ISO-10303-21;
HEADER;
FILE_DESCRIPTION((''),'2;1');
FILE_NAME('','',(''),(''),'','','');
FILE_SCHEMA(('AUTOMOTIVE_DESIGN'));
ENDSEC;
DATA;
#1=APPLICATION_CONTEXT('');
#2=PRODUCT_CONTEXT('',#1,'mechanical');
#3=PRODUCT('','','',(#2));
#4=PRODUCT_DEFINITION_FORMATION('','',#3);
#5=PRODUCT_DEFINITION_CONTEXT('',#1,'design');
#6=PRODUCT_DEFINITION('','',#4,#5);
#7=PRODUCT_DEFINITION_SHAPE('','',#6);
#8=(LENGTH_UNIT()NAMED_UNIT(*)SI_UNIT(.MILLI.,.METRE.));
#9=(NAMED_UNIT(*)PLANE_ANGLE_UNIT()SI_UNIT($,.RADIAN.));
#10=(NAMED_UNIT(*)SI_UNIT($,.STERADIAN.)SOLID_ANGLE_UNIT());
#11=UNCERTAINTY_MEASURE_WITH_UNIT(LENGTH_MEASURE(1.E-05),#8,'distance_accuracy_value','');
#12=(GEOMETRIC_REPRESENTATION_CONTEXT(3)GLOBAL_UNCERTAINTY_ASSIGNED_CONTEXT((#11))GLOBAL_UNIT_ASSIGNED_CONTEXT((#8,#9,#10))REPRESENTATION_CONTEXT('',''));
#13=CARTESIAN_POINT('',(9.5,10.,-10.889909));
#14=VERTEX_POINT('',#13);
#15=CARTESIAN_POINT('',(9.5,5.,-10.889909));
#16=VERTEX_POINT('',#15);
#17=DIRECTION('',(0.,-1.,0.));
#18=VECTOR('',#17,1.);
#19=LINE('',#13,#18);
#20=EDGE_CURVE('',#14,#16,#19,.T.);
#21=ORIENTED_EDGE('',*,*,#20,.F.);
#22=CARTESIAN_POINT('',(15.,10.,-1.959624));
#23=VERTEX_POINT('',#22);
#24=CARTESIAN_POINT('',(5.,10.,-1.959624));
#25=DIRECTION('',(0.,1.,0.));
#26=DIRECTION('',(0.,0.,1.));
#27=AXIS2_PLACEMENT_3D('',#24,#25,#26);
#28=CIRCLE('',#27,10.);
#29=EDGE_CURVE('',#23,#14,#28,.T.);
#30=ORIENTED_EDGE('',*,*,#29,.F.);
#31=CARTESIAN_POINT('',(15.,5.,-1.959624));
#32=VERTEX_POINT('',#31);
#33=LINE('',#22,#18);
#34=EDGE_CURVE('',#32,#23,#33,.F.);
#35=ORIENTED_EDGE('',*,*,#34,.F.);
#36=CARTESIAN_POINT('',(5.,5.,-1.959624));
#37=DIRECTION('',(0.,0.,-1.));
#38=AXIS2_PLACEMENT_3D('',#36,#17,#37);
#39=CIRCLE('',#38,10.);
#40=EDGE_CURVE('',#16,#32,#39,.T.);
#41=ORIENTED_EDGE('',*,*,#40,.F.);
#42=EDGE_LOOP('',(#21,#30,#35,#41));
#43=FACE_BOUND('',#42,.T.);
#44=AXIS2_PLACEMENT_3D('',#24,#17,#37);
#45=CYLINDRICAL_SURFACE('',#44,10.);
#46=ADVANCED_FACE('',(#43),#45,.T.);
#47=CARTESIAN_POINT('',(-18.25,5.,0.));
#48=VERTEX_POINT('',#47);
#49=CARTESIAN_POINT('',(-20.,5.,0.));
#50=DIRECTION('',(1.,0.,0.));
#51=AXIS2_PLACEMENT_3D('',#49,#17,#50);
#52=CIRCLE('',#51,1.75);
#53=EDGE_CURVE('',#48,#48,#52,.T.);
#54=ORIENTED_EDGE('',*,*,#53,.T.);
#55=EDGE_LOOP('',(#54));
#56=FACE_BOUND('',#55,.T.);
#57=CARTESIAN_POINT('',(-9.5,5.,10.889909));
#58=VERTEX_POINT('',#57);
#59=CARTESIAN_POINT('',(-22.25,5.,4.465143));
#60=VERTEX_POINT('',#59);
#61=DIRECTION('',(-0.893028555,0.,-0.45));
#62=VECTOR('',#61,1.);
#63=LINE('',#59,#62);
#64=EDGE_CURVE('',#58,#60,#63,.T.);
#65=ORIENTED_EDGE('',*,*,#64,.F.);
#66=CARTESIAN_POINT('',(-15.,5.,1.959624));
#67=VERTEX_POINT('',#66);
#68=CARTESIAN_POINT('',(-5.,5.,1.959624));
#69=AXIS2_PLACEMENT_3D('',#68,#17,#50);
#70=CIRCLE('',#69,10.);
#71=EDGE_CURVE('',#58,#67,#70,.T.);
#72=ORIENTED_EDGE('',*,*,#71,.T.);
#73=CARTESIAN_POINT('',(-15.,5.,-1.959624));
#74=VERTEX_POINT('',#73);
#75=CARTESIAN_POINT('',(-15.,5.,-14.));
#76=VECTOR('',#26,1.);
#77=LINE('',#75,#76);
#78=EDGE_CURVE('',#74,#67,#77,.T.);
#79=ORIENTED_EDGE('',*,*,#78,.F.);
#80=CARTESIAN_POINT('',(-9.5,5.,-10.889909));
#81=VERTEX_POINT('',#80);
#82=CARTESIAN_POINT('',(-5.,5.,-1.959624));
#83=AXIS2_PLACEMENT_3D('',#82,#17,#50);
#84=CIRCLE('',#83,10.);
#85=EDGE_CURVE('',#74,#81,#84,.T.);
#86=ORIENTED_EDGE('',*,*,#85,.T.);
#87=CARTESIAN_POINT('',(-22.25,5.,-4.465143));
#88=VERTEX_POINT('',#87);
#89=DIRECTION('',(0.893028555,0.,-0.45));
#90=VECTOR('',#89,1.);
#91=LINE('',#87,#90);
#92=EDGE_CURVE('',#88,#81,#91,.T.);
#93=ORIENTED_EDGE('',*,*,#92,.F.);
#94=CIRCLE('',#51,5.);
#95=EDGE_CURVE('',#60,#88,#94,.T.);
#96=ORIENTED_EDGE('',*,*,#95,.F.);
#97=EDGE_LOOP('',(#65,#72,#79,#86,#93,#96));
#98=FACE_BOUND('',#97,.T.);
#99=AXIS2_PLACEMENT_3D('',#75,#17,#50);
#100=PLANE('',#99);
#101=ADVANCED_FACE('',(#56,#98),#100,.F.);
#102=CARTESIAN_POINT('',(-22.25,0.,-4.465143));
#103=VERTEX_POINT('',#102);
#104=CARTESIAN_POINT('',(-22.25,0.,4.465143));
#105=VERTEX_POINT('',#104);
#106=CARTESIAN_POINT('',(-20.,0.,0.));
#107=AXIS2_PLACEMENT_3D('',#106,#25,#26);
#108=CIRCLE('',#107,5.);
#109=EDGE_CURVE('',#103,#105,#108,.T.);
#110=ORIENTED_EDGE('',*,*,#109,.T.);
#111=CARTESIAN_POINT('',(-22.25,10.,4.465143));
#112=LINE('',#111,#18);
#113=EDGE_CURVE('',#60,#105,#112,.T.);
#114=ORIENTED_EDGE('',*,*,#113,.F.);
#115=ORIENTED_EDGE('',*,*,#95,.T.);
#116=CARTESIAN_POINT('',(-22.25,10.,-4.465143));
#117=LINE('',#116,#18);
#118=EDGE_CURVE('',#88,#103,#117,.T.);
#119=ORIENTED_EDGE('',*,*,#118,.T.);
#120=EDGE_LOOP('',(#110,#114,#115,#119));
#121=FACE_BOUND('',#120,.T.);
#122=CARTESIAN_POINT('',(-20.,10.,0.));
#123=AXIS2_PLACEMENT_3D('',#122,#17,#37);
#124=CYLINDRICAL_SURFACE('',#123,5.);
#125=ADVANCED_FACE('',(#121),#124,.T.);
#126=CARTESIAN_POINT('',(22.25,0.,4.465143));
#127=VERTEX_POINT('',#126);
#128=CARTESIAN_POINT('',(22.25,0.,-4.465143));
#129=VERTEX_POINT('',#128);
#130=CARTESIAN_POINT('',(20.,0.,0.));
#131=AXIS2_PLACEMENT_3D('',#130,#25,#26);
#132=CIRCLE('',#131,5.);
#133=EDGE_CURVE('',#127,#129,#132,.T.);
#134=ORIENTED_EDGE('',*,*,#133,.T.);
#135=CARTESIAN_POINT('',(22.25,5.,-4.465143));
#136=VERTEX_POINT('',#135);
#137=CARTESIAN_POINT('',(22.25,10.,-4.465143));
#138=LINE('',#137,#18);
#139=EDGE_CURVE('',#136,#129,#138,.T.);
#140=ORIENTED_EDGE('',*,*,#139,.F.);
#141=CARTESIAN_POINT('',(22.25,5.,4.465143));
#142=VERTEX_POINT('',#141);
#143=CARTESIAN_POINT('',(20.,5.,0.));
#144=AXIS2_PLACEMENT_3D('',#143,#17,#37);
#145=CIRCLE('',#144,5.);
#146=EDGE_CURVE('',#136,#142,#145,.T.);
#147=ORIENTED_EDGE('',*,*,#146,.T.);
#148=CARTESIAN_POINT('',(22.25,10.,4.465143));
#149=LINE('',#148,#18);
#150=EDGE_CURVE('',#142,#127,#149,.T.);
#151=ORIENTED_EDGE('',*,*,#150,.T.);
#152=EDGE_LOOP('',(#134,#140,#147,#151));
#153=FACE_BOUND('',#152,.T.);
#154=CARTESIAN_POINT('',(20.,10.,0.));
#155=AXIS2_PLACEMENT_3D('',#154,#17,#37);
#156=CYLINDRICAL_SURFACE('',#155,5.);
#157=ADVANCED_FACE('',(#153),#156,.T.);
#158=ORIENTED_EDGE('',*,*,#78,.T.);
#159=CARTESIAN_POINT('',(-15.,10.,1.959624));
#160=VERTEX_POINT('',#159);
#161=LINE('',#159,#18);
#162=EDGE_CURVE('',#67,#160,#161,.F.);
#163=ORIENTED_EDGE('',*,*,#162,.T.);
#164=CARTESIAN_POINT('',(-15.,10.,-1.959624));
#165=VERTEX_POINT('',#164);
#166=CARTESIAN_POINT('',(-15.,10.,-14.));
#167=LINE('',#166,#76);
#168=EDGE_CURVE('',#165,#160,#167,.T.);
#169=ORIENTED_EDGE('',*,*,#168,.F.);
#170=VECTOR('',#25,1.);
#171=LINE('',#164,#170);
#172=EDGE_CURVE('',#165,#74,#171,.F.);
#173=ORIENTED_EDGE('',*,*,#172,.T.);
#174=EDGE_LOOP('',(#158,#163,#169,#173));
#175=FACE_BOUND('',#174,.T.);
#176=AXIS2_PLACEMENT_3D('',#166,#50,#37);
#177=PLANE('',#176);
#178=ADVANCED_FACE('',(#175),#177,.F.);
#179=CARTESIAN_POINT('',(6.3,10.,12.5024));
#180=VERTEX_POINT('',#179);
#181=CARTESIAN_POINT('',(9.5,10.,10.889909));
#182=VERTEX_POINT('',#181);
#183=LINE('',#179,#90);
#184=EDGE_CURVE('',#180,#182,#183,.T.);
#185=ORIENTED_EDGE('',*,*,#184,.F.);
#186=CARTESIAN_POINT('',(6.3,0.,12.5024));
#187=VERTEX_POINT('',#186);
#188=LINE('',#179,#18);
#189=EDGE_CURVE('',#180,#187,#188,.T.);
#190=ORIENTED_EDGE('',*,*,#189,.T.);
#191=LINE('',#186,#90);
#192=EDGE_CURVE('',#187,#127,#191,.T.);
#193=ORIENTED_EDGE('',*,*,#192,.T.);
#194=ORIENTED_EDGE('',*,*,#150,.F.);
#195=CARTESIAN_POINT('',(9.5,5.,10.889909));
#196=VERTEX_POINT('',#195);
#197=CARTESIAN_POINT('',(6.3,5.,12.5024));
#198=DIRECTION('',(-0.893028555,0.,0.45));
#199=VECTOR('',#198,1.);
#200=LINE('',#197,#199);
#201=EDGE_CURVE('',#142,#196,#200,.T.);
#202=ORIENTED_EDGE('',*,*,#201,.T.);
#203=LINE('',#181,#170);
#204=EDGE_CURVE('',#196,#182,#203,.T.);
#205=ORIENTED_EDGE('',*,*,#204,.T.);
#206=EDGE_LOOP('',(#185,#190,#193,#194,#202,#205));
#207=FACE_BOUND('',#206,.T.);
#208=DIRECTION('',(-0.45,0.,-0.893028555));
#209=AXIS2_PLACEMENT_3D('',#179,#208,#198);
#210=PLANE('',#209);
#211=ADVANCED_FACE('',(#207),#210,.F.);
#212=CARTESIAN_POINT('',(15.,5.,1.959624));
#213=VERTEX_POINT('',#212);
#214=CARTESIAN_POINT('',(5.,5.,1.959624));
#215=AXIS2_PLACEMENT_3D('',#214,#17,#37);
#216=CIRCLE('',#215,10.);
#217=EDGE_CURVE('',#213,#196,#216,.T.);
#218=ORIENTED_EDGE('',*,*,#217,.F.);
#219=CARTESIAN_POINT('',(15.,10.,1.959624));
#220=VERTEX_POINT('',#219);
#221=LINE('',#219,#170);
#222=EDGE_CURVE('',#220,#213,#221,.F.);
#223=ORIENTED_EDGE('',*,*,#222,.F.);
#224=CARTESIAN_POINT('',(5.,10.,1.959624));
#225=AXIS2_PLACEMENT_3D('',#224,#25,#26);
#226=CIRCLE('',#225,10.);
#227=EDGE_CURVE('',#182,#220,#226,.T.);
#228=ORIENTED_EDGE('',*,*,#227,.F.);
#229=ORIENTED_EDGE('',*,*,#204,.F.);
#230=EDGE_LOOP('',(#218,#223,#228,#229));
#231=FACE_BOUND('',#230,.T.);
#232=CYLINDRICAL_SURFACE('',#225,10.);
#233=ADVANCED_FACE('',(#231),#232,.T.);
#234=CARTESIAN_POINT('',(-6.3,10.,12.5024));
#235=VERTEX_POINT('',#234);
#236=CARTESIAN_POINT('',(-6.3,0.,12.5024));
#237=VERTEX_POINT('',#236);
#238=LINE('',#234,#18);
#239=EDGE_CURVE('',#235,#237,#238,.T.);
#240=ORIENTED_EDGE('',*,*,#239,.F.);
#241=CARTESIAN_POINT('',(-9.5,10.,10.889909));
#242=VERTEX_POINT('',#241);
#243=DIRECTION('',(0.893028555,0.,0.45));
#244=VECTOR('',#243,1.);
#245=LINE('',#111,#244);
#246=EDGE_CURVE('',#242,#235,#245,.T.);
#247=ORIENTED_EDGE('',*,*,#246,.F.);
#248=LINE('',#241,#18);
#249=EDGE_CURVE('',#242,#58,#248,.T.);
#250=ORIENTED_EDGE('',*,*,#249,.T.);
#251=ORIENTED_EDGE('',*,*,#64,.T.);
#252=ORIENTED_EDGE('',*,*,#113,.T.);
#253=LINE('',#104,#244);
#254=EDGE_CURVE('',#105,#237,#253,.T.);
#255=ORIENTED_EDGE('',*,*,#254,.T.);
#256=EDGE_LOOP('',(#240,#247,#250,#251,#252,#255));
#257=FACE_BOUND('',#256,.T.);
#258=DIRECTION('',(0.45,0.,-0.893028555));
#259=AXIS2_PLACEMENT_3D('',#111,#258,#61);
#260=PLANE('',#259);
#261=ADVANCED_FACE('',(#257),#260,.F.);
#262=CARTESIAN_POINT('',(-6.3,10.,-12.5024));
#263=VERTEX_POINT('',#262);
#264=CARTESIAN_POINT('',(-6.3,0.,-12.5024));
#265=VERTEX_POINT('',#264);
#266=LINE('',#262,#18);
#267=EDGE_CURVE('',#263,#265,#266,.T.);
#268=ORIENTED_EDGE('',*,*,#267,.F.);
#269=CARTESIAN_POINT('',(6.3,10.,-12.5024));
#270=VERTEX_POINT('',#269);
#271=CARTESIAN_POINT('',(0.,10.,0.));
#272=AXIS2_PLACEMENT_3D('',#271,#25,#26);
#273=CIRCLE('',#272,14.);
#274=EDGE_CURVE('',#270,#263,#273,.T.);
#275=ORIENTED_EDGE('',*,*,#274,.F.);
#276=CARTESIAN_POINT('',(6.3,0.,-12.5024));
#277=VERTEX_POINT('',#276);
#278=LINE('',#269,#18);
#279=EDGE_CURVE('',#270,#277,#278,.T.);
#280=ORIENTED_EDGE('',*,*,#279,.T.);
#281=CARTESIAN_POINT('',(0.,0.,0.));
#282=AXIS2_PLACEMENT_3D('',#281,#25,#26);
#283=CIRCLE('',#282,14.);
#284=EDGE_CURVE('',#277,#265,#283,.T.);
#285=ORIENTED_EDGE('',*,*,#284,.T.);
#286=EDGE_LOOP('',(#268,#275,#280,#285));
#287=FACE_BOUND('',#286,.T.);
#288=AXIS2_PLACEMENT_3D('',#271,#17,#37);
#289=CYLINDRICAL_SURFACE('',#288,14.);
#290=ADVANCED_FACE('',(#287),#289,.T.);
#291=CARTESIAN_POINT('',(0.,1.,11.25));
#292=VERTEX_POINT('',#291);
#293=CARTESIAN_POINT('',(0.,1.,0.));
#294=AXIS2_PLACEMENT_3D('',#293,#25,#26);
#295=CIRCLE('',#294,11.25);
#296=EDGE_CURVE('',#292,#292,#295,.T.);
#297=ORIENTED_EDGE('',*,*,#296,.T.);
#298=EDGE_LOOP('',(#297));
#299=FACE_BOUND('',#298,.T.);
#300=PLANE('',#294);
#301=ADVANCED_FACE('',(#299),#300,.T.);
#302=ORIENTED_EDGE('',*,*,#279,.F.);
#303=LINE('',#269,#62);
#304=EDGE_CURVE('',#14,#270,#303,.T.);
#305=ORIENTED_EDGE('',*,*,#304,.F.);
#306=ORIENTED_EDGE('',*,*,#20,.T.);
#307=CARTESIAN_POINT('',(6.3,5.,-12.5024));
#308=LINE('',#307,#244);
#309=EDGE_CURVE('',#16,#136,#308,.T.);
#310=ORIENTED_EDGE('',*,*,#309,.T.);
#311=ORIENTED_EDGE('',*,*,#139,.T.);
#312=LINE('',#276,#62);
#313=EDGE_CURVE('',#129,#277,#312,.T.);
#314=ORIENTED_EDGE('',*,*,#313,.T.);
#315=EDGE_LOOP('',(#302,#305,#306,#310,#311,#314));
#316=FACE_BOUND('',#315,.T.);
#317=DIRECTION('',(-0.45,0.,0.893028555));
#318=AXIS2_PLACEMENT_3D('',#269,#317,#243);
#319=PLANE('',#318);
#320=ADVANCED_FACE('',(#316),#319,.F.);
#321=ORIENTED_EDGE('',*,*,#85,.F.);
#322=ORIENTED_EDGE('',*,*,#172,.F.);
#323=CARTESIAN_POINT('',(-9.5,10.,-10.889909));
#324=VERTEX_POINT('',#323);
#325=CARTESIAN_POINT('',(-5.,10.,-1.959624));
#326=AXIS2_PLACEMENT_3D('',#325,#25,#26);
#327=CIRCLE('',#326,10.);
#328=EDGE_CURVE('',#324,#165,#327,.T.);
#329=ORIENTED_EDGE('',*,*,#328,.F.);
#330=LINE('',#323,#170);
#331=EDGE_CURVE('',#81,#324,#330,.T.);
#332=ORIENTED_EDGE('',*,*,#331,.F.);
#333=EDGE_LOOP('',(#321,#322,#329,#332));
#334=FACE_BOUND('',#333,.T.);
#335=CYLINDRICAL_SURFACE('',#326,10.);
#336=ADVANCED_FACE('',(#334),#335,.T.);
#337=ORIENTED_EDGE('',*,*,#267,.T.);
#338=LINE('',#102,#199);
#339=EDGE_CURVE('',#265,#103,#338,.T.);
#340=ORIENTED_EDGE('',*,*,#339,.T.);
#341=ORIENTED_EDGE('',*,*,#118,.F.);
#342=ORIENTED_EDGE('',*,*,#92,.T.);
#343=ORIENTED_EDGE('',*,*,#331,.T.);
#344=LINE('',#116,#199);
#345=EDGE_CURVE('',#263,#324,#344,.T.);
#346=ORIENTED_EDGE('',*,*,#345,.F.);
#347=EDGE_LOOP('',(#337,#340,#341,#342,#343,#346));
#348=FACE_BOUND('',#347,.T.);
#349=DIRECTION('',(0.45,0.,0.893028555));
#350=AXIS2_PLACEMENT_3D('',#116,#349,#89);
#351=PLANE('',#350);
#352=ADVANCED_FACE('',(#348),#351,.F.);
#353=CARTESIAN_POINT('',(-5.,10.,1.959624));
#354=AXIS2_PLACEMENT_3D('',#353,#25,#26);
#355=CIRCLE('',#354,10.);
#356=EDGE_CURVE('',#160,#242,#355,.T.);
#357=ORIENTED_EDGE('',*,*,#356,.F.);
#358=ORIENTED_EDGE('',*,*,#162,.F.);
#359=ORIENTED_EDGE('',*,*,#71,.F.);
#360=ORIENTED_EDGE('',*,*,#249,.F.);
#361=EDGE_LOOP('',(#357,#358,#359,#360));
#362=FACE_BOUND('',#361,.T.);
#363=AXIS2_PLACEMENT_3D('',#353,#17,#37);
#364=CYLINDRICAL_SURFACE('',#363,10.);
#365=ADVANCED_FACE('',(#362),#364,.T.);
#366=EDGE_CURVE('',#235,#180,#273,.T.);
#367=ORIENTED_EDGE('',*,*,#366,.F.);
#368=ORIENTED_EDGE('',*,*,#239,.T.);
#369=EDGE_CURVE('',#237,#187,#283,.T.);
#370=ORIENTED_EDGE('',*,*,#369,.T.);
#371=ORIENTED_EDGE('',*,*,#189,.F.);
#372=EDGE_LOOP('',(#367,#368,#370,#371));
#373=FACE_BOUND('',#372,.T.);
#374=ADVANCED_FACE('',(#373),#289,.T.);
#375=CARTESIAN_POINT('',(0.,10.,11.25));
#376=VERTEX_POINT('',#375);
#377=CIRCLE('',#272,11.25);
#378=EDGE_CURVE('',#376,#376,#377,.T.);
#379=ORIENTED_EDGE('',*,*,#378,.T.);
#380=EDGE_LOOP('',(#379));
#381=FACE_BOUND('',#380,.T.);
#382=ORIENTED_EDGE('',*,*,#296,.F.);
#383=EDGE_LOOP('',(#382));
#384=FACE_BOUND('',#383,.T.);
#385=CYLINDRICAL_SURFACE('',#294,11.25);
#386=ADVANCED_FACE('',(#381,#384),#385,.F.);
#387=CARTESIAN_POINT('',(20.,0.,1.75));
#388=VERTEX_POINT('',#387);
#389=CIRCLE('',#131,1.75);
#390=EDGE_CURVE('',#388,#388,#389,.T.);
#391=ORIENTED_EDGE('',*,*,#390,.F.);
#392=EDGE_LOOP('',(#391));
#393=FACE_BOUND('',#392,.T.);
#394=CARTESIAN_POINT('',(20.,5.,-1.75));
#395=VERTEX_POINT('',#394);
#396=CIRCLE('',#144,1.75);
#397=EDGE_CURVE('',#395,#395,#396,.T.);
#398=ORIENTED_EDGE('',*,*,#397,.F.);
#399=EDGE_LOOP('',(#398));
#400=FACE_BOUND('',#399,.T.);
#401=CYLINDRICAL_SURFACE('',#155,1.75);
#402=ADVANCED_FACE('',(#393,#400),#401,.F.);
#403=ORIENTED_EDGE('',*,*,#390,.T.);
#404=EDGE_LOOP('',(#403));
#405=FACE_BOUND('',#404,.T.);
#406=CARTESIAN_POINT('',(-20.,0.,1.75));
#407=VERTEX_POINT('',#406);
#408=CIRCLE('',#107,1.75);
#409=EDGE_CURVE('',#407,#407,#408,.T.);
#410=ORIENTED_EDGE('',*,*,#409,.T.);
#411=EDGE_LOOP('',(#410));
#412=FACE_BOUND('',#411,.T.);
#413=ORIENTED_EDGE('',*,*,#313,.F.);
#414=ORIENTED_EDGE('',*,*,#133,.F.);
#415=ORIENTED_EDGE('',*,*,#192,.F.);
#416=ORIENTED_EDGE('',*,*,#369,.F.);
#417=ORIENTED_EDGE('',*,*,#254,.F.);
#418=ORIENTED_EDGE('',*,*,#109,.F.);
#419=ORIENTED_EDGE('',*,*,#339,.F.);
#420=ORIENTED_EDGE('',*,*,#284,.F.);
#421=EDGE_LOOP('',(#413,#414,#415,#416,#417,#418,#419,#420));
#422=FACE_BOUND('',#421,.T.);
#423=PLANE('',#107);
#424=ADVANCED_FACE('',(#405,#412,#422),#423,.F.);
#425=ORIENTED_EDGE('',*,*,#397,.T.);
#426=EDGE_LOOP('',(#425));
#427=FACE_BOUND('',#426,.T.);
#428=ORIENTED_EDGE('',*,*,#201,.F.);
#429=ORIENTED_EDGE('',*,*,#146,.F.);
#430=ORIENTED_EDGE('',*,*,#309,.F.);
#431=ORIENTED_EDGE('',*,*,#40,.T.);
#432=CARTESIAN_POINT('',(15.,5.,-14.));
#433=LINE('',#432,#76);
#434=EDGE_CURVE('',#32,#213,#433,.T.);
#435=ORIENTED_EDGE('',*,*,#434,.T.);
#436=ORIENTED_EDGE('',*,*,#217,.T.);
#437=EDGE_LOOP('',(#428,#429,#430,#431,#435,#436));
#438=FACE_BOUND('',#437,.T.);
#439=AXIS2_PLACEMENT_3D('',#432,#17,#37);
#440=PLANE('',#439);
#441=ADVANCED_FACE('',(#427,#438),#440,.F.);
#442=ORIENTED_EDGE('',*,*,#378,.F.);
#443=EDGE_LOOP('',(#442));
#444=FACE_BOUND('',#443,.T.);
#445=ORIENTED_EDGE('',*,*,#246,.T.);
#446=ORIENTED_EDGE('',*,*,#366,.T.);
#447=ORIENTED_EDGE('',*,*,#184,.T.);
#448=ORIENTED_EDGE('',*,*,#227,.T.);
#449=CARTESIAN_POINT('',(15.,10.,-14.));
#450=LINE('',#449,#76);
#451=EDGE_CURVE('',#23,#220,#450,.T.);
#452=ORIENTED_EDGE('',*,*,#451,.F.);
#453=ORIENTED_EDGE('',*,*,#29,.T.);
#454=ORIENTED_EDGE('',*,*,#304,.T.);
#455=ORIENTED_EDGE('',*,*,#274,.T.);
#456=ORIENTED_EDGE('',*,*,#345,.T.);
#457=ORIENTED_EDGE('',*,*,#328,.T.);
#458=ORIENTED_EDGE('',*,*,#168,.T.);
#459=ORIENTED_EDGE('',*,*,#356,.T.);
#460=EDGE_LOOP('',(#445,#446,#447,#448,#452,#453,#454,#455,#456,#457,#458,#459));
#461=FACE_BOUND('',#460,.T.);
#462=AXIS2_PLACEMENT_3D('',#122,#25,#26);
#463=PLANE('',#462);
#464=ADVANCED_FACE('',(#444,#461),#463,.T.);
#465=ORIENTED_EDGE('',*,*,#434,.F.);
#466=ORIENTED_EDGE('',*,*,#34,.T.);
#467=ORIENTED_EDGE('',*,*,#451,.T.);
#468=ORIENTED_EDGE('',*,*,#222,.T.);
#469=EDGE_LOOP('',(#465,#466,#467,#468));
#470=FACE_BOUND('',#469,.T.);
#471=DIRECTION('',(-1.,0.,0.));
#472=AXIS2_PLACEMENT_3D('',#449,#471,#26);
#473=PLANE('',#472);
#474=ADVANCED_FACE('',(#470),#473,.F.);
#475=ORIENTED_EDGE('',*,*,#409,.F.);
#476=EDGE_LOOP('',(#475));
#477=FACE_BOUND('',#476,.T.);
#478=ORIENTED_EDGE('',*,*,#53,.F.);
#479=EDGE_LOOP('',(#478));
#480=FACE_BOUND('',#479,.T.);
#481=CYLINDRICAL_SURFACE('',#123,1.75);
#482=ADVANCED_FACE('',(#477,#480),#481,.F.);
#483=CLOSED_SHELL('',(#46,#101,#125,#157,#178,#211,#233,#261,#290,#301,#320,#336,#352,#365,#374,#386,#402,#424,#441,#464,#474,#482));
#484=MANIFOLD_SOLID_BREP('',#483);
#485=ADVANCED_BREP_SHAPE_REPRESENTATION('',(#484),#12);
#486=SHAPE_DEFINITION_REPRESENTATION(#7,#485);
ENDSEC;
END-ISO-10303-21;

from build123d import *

# Parameters (mm, degrees)
SKETCH2_R               = 1.75
BOSS_EXTRUDE1_DEPTH     = 10
SKETCH3_R               = 11.25
CUT_EXTRUDE1_DEPTH      = 9
SKETCH4_W               = 10
SKETCH4_H               = 5
CUT_EXTRUDE2_DEPTH      = 15
CUT_EXTRUDE2_DEPTH_BACK = 15
FILLET1_R               = 10


with BuildPart() as part:
    # Sketch2 → Boss-Extrude1 (new body)
    with BuildSketch(Plane(origin=(0, 0, 0), x_dir=(1, 0, 0), z_dir=(0, 1, 0))):
        with BuildLine():
            Line((-22.25, 4.465142775), (-6.3, 12.50239977))
            ThreePointArc((-6.3, 12.50239977), (0, 14), (6.3, 12.50239977))
            Line((6.3, 12.50239977), (22.25, 4.465142775))
            ThreePointArc((22.25, 4.465142775), (25, 0), (22.25, -4.465142775))
            Line((22.25, -4.465142775), (6.3, -12.50239977))
            ThreePointArc((6.3, -12.50239977), (0, -14), (-6.3, -12.50239977))
            Line((-6.3, -12.50239977), (-22.25, -4.465142775))
            ThreePointArc((-22.25, -4.465142775), (-25, 0), (-22.25, 4.465142775))
        make_face()
        with Locations((-20, 0)):
            Circle(SKETCH2_R, mode=Mode.SUBTRACT)
        with Locations((20, 0)):
            Circle(SKETCH2_R, mode=Mode.SUBTRACT)
    extrude(amount=BOSS_EXTRUDE1_DEPTH)

    # Sketch3 → Cut-Extrude1 (cut)
    with BuildSketch(Plane(origin=(0, 10, 0), x_dir=(1, 0, 0), z_dir=(0, 1, 0))):
        Circle(SKETCH3_R)
    extrude(amount=-CUT_EXTRUDE1_DEPTH, mode=Mode.SUBTRACT)

    # Sketch4 → Cut-Extrude2 (cut, two sides)
    with BuildSketch(Plane.XY) as cut_extrude2_sk:
        with Locations((-20, 7.5)):
            Rectangle(SKETCH4_W, SKETCH4_H)
        with Locations((20, 7.5)):
            Rectangle(SKETCH4_W, SKETCH4_H)
    extrude(amount=CUT_EXTRUDE2_DEPTH, mode=Mode.SUBTRACT)
    extrude(cut_extrude2_sk.sketch, amount=-CUT_EXTRUDE2_DEPTH_BACK, mode=Mode.SUBTRACT)

    # Fillet1
    fillet1_edges = [part.edges().sort_by_distance(p)[0] for p in [
        (-15, 7.5, -8.118441409),
        (15, 7.5, -8.118441409),
        (-15, 7.5, 8.118441409),
        (15, 7.5, 8.118441409),
    ]]
    fillet(fillet1_edges, radius=FILLET1_R)


solid = part.part
